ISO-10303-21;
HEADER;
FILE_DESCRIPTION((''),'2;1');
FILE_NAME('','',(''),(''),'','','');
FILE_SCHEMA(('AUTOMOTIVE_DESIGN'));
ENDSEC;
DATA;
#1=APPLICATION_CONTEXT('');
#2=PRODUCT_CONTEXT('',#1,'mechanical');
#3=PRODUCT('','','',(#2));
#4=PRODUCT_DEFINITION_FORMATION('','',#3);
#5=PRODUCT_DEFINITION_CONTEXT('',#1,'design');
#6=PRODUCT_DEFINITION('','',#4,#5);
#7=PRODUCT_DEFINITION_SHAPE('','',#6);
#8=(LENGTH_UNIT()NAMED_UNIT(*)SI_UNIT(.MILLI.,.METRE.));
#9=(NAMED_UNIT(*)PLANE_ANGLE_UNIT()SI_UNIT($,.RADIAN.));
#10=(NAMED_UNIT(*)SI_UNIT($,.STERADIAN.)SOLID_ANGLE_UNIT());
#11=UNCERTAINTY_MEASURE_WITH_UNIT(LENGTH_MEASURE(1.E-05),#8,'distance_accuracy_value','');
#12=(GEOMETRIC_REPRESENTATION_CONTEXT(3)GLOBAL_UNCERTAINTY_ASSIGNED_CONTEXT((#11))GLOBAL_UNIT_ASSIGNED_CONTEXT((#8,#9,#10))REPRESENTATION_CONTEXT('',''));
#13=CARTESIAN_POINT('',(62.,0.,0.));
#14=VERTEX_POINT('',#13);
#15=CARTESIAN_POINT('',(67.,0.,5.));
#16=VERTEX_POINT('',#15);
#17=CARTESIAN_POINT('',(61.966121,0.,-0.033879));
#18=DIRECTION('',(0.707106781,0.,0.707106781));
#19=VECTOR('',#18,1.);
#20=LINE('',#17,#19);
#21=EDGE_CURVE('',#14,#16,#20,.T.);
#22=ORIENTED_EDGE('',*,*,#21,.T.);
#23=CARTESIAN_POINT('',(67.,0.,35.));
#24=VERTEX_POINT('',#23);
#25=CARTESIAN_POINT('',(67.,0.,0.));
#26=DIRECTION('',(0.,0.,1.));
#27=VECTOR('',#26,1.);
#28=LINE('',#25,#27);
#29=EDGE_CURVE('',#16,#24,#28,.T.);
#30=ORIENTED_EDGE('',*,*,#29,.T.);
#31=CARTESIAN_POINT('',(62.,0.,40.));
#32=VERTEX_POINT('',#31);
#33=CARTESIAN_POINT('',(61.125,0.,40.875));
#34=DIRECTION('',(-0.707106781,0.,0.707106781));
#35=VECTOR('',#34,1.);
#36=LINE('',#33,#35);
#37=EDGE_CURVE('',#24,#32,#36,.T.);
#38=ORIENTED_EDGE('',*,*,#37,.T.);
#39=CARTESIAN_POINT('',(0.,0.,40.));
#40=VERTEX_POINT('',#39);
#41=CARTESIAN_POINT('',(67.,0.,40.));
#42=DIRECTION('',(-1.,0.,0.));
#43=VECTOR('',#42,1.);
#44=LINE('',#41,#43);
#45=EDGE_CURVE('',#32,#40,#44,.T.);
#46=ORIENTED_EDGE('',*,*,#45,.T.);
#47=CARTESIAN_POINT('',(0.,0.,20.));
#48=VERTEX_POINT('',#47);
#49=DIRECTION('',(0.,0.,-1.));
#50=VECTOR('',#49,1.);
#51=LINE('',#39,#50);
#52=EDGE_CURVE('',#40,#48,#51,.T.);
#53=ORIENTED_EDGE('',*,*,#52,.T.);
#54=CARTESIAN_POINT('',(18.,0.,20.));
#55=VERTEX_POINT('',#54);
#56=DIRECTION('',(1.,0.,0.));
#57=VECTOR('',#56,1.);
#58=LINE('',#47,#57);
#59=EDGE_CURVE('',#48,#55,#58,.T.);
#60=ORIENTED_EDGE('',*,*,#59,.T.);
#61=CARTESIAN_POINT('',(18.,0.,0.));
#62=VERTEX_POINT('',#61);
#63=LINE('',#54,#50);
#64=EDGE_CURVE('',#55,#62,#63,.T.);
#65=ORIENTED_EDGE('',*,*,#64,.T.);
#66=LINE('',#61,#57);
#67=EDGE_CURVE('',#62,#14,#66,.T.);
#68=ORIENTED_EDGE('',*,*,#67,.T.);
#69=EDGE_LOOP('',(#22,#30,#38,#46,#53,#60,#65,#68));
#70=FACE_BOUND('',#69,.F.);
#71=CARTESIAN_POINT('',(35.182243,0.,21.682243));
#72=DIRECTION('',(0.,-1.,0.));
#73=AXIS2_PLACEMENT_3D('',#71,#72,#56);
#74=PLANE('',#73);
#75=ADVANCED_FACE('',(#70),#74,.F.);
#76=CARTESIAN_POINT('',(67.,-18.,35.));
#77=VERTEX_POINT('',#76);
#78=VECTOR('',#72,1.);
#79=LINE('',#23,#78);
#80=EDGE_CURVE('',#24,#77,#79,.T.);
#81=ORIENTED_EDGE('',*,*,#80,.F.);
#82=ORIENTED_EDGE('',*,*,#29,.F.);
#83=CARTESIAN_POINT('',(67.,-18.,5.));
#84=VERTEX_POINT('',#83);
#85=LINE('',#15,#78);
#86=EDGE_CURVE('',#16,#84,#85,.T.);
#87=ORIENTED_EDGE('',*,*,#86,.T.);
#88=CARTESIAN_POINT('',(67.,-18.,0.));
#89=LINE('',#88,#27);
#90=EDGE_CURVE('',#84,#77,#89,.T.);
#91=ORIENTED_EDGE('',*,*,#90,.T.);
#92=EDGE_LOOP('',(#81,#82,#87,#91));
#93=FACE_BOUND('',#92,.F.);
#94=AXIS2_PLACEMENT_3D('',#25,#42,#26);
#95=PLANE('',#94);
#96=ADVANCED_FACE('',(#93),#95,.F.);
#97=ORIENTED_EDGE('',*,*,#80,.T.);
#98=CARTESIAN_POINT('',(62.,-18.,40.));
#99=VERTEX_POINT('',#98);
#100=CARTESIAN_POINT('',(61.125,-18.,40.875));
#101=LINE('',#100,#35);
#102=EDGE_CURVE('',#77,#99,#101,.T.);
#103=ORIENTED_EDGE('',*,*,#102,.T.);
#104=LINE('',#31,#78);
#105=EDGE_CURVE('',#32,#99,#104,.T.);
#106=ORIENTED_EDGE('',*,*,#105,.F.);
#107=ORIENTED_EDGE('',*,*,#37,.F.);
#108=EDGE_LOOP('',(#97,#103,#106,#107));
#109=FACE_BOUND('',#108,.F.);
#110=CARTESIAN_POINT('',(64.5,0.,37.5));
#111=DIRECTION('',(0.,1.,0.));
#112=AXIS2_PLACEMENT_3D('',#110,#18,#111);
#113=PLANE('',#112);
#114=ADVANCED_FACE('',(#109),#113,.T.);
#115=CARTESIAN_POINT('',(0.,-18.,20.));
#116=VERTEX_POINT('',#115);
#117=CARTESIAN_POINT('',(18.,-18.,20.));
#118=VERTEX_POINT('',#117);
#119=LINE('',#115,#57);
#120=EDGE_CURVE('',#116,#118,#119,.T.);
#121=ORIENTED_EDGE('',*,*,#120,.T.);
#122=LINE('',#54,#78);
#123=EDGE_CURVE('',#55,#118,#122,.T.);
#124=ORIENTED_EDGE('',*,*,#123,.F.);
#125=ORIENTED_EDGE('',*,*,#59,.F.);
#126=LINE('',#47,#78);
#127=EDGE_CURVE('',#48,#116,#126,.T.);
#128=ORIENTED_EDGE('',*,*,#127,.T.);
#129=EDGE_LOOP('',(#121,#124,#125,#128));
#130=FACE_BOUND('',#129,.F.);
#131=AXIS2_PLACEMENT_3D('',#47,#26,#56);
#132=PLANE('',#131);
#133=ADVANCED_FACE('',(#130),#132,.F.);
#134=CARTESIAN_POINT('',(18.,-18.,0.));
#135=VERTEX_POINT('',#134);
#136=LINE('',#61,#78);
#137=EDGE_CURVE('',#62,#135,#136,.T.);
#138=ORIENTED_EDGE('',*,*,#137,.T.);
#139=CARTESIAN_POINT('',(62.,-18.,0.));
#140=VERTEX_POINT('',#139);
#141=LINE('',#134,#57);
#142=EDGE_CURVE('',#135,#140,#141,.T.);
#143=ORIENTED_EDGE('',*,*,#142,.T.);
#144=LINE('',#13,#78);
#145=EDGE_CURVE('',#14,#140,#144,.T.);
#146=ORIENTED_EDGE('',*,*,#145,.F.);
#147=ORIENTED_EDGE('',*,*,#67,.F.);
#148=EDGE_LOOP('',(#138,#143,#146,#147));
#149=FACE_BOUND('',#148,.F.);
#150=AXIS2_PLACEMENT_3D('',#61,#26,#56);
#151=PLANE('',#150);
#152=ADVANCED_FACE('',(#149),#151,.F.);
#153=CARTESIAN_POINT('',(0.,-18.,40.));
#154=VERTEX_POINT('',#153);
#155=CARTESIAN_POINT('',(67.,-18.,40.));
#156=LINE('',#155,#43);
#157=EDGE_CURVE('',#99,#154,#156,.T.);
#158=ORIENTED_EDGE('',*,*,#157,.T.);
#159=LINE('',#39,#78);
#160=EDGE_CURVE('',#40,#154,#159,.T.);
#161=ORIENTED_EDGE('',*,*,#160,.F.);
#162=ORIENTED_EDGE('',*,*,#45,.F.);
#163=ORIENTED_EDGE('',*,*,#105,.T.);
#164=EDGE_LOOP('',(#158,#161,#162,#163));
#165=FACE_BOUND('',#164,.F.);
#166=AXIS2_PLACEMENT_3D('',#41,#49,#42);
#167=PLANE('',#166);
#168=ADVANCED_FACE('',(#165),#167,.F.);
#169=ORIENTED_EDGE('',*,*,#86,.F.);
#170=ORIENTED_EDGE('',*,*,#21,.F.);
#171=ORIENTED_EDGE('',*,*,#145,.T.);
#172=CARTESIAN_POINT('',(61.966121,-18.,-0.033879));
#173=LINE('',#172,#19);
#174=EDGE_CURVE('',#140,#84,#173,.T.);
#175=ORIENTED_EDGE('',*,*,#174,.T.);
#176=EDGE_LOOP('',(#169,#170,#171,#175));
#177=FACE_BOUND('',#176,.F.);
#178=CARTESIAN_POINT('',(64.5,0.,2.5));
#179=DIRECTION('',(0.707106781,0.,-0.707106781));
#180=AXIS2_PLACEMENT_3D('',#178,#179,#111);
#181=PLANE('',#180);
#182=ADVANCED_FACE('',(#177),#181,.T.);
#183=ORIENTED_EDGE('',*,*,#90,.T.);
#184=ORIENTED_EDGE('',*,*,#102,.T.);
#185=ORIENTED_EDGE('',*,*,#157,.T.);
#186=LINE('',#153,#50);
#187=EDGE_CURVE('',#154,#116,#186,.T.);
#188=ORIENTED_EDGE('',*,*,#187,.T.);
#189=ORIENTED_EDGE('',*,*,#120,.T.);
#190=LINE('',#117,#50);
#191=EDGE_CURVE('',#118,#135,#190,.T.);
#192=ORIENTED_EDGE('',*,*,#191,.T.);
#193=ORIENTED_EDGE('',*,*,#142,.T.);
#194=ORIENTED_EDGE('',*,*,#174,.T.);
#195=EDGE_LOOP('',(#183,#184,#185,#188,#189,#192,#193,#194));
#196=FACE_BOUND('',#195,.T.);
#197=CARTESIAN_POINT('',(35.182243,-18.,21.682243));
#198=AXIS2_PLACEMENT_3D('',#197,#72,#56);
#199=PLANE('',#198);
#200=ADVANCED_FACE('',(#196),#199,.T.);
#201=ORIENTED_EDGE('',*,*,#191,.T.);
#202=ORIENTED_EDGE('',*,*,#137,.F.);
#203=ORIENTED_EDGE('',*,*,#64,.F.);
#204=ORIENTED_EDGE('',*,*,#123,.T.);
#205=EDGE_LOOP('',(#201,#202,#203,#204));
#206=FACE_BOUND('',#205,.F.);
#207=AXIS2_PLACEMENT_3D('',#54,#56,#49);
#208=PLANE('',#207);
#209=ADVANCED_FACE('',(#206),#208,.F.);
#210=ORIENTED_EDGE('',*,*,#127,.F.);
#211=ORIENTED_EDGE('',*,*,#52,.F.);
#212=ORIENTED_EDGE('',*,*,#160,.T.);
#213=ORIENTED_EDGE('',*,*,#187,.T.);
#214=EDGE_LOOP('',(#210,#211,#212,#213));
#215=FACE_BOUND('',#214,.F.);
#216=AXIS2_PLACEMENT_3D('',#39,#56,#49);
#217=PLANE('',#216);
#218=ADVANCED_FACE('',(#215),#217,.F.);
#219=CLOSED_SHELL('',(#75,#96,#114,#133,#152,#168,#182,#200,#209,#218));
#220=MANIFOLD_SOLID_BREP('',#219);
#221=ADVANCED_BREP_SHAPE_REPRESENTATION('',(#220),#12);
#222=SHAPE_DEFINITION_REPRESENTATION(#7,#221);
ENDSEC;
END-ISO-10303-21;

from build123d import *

# Parameters (mm, degrees)
F1_DEPTH = 18
F2_SIZE  = 5


with BuildPart() as f1:
    # F0 (on Front) → F1 (new body)
    with BuildSketch(Plane.XZ):
        Polygon((18, 20), (18, 0), (67, 0), (67, 40), (0, 40), (0, 20), align=None)
    extrude(amount=F1_DEPTH)

    # F2
    f2_edges = [f1.edges().sort_by_distance(p)[0] for p in [
        (67, -9, 40),
        (67, -9, 0),
    ]]
    chamfer(f2_edges, length=F2_SIZE)


solid = f1.part
